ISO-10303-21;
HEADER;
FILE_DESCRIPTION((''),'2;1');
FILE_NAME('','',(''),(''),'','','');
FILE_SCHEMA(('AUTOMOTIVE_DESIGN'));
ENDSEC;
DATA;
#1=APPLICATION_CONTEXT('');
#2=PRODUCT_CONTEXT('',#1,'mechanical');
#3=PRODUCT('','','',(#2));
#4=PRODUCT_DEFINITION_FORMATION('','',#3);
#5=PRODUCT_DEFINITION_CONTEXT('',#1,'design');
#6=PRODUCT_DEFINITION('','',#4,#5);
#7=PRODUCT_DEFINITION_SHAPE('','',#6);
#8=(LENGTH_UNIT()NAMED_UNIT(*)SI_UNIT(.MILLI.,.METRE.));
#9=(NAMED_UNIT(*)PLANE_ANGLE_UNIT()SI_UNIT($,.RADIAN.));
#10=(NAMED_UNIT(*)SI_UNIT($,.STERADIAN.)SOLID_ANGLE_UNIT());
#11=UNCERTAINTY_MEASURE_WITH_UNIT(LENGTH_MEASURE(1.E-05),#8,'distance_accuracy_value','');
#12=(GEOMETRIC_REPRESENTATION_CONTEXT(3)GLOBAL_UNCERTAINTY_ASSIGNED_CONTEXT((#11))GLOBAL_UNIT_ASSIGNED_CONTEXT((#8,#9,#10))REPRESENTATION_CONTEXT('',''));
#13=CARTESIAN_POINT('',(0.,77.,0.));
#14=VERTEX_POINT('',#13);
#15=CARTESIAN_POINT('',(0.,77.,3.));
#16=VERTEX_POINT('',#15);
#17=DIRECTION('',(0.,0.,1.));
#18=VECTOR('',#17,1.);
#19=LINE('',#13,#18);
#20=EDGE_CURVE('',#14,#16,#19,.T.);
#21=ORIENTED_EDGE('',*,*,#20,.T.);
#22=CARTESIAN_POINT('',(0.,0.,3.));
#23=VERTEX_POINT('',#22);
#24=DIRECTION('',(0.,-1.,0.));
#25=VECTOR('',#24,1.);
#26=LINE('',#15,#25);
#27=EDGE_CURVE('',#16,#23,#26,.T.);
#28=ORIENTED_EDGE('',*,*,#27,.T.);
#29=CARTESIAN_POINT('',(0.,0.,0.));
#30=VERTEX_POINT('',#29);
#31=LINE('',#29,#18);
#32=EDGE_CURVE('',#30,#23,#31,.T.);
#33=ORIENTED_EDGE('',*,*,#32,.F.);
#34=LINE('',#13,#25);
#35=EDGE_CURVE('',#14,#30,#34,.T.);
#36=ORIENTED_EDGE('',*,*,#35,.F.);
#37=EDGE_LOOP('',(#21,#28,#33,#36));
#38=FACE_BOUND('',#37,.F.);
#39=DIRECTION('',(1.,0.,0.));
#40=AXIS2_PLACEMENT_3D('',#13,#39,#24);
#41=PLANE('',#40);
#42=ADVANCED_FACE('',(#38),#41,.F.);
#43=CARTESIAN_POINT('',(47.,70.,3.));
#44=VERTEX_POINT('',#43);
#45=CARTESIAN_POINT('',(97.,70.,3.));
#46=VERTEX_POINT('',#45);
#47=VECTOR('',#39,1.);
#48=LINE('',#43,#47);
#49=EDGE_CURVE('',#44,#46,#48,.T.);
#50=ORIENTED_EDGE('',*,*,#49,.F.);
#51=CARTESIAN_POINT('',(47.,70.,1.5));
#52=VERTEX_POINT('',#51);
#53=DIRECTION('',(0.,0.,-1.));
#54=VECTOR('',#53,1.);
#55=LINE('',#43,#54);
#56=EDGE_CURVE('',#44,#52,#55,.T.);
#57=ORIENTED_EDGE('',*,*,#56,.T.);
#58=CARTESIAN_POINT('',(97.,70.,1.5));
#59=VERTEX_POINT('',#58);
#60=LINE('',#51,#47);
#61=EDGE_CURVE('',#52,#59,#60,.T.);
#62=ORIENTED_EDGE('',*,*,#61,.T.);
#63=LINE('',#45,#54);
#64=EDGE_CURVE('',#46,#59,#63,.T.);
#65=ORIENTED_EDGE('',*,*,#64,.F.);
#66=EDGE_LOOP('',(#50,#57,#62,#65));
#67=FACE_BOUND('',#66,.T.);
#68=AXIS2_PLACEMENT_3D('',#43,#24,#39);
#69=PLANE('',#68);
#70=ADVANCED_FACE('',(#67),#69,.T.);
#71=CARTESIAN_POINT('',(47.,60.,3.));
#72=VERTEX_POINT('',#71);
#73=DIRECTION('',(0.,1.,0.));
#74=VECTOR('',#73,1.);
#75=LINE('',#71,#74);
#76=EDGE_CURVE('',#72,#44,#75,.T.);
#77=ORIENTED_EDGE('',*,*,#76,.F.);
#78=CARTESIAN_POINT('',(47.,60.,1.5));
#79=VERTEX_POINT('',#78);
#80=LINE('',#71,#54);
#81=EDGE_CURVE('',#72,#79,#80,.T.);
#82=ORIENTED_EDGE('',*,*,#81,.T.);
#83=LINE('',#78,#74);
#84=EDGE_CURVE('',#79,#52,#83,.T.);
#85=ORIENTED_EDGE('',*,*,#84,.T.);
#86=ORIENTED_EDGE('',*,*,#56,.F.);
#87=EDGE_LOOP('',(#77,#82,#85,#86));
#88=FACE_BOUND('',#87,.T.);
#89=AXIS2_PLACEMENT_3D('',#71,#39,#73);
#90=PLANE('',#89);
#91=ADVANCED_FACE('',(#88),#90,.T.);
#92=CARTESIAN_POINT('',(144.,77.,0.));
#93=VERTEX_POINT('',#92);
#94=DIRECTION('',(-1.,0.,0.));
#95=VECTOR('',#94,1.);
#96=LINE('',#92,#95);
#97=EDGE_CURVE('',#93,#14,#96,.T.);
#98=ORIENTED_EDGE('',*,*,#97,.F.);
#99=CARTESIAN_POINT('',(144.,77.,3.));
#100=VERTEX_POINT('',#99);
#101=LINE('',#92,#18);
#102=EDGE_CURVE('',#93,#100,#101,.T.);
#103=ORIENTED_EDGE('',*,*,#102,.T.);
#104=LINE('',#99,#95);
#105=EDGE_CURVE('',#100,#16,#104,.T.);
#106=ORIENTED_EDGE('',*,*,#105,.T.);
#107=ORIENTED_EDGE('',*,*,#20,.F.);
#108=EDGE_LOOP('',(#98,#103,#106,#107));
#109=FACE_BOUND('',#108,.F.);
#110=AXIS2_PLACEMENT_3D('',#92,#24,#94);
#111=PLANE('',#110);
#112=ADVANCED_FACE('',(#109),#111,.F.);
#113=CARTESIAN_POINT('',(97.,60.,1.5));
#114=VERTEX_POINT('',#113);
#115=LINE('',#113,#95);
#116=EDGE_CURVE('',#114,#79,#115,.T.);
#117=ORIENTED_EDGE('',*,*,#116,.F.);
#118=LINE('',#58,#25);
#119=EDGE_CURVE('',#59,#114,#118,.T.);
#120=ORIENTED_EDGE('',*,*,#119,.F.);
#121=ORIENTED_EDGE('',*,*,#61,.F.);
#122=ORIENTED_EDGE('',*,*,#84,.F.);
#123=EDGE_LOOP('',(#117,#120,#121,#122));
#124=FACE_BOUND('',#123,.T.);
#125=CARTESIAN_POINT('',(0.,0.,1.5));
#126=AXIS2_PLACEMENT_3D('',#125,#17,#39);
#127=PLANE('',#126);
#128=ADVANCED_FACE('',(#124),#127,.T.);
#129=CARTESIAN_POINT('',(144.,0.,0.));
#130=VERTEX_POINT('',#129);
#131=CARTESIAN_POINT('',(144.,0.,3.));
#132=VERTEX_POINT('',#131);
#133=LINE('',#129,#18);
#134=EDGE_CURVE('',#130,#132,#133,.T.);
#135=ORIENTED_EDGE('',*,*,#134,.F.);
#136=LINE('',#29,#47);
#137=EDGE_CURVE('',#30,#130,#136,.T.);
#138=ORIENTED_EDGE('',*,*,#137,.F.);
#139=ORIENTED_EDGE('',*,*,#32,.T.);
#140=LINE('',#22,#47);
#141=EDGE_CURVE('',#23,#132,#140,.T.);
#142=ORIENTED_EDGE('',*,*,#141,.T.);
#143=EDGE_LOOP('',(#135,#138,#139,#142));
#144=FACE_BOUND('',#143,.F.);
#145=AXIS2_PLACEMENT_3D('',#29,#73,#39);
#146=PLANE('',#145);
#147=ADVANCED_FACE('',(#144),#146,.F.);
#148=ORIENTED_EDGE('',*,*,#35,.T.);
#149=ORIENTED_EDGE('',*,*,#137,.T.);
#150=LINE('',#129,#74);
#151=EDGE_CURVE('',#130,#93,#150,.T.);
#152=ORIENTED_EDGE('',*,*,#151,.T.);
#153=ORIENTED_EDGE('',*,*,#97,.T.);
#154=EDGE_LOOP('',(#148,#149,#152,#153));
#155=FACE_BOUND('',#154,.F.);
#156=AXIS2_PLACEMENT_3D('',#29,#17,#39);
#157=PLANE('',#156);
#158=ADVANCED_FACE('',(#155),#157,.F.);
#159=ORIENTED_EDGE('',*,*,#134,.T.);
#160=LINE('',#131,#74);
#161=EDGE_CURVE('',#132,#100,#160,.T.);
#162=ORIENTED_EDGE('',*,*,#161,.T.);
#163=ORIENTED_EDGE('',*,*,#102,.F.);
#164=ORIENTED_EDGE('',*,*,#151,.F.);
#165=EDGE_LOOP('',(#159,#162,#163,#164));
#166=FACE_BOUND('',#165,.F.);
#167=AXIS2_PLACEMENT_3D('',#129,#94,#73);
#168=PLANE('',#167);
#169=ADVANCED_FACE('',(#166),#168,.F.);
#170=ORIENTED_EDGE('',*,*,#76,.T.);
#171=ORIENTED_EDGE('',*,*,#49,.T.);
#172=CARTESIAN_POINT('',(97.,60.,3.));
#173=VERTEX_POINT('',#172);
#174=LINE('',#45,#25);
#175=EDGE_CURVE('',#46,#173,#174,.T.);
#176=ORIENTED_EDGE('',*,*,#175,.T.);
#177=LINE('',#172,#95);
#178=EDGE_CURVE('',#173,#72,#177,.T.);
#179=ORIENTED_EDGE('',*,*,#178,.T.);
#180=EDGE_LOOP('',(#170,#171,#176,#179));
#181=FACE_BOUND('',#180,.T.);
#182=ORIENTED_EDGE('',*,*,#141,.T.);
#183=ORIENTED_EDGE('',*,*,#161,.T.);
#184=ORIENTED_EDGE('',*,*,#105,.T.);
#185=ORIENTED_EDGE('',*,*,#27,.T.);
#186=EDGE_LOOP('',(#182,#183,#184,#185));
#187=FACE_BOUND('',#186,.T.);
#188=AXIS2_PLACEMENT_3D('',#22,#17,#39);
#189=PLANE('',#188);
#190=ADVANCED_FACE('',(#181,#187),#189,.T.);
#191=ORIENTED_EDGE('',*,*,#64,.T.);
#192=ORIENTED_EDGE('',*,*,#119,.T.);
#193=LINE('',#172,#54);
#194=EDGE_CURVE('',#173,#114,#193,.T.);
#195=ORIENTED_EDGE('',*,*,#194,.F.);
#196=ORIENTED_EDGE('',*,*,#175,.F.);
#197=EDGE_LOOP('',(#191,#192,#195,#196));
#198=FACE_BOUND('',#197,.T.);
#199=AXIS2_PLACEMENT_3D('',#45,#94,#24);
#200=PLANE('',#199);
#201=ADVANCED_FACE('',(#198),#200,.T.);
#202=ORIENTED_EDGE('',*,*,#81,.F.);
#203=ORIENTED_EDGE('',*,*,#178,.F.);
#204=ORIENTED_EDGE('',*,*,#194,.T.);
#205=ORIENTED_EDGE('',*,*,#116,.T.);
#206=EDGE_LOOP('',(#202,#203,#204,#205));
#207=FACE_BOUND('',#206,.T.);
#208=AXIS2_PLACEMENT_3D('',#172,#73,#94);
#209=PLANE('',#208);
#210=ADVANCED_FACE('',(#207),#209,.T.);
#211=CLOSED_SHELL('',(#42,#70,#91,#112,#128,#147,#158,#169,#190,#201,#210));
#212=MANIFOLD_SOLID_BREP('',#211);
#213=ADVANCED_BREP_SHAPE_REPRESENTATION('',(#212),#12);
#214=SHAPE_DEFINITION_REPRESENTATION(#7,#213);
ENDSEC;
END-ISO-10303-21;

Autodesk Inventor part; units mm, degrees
ref_plane "YZ Plane" through (0, 0, 0) normal (1, 0, 0) x (0, 1, 0)
ref_plane "XZ Plane" through (0, 0, 0) normal (0, 1, 0) x (-1, 0, 0)
ref_plane "XY Plane" through (0, 0, 0) normal (0, 0, 1) x (1, 0, 0)
sketch "Sketch1" plane through (0, 0, 0) normal (0, 0, 1) x (1, 0, 0)
  line L0 (0, 0) -> (144, 0)
  line L1 (144, 0) -> (144, 77)
  line L2 (144, 77) -> (0, 77)
  line L3 (0, 77) -> (0, 0)
  dimension "d0" = 144
  dimension "d1" = 77
extrude "Extrusion1" add sketch "Sketch1" along normal blind 3
sketch "Sketch4" plane through (0, 0, 3) normal (0, 0, 1) x (1, 0, 0)
  line L0 (47, 70) -> (97, 70)
  line L1 (97, 70) -> (97, 60)
  line L2 (97, 60) -> (47, 60)
  line L3 (47, 60) -> (47, 70)
  line L4 (47, 70) -> (97, 60) construction
  line L5 (97, 70) -> (47, 60) construction
  point P0 (0, 0)
  point P1 (72, 65)
  dimension "d47" = 50
  dimension "d48" = 10
extrude "Extrusion2" cut sketch "Sketch4" against normal blind 1.5
properties part number "DoosjeVoorkant" material "Wood (Cherry)"
